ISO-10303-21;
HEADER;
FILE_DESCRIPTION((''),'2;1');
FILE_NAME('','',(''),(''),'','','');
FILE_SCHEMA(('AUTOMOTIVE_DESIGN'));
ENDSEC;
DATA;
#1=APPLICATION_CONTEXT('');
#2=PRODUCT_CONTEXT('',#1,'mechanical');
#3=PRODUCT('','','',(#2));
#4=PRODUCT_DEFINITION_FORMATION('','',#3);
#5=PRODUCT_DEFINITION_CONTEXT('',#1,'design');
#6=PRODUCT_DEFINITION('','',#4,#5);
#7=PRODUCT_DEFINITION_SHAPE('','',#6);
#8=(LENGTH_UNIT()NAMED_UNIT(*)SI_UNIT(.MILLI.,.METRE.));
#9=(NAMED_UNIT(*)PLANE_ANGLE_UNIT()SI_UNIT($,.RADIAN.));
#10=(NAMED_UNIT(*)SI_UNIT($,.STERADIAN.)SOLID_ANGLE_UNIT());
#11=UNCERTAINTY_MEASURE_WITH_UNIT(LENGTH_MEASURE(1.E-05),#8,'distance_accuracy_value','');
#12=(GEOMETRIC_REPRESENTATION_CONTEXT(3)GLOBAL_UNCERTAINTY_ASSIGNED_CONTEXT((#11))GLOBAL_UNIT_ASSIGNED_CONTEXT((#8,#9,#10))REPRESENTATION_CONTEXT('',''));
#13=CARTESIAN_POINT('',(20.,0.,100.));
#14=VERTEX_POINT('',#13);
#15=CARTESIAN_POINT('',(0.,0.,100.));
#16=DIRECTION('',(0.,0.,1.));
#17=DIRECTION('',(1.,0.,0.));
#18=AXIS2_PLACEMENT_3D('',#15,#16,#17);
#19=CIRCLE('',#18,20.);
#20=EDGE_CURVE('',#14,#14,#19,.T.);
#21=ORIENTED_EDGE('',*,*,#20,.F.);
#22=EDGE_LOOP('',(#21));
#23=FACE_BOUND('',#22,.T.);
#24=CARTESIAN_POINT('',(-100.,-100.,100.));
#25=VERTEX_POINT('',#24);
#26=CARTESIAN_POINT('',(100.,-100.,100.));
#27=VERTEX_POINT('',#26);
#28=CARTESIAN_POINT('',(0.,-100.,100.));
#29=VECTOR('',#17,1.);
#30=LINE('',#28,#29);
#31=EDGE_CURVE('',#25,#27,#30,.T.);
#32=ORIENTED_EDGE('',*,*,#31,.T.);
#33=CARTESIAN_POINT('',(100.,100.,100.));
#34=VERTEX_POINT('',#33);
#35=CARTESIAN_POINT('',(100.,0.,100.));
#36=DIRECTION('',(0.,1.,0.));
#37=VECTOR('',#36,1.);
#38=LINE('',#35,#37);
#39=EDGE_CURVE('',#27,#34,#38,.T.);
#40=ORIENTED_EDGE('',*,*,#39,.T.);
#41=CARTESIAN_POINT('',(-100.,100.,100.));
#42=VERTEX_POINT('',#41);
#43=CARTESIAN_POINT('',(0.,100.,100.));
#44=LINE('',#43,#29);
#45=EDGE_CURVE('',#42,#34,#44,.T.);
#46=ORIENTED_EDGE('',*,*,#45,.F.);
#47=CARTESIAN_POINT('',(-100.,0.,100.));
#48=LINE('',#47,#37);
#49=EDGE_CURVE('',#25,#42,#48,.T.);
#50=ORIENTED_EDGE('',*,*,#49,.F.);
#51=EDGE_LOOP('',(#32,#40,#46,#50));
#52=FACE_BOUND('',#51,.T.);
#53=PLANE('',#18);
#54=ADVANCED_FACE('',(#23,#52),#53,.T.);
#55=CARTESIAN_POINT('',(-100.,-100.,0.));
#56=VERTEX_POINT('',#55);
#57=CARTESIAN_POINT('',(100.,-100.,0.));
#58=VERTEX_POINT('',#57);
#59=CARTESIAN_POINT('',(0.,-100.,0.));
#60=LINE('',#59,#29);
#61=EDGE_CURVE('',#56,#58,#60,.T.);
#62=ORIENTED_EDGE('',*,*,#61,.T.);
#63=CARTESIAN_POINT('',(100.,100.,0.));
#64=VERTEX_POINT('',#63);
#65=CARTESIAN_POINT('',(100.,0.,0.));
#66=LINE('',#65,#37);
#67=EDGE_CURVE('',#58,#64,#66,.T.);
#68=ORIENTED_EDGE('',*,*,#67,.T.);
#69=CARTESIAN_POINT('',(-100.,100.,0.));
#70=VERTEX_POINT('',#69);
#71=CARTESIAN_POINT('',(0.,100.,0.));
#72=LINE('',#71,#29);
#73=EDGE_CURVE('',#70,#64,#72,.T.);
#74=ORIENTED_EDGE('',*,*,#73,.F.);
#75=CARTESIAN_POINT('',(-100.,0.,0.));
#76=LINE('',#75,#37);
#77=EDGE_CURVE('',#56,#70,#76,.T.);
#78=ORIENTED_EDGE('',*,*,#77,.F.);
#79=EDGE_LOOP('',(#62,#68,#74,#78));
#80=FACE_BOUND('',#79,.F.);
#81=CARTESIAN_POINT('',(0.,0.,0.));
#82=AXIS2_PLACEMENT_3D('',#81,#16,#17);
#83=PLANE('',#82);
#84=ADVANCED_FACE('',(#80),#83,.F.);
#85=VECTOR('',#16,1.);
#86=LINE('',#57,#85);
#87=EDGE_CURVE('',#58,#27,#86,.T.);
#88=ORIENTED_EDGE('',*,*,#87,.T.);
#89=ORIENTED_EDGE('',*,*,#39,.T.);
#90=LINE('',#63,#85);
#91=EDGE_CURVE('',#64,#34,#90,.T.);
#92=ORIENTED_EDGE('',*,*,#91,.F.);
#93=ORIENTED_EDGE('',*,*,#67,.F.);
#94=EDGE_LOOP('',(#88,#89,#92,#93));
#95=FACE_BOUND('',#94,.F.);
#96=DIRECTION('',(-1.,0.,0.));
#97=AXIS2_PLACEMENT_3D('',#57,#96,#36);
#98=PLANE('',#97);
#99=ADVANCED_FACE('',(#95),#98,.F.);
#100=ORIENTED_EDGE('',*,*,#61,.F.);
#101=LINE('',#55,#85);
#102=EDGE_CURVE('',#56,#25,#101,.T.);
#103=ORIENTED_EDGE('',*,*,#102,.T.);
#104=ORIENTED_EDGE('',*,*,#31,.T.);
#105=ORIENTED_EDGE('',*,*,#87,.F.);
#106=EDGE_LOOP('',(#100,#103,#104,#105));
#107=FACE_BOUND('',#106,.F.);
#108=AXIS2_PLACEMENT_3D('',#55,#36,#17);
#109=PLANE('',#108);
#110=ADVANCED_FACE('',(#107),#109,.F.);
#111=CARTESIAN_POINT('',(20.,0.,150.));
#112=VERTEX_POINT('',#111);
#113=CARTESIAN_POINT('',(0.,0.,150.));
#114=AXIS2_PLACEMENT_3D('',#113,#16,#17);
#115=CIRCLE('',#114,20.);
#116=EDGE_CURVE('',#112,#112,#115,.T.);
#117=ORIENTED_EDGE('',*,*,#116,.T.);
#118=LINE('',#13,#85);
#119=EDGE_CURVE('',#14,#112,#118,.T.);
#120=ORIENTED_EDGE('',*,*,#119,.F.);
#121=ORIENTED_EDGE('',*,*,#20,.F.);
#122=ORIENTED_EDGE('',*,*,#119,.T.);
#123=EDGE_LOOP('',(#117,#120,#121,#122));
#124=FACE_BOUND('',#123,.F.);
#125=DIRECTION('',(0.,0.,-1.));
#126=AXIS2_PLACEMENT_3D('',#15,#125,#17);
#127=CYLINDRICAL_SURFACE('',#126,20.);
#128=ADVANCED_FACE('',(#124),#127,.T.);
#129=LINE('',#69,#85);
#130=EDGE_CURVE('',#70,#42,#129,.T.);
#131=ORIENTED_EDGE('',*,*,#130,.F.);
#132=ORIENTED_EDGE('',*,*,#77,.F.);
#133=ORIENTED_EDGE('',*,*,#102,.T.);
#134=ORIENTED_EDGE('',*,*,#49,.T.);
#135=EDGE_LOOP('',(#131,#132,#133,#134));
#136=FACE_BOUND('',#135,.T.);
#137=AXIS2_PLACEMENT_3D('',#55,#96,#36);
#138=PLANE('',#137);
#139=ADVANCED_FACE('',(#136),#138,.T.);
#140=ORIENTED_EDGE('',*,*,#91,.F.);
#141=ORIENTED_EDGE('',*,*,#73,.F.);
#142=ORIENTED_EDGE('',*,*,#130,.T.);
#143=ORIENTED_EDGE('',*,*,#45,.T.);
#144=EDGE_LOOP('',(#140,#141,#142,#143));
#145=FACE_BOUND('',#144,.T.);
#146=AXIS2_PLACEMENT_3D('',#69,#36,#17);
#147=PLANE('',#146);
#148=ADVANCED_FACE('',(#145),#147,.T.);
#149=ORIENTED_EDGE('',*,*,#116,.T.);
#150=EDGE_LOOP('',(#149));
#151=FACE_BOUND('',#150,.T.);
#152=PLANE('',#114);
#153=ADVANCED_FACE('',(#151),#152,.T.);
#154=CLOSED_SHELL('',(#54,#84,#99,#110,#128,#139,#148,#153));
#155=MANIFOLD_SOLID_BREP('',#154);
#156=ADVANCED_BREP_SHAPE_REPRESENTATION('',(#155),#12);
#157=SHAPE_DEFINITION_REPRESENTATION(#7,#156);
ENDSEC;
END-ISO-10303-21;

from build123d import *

# Parameters (mm, degrees)
SKETCH_W     = 200
SKETCH_H     = 200
PAD_DEPTH    = 100
SKETCH001_R  = 20
PAD001_DEPTH = 50


with BuildPart() as part:
    # Sketch → Pad (new body)
    with BuildSketch(Plane.XY):
        Rectangle(SKETCH_W, SKETCH_H)
    extrude(amount=PAD_DEPTH)

    # Sketch001 → Pad001 (new body)
    with BuildSketch(Plane.XY.offset(100)):
        Circle(SKETCH001_R)
    extrude(amount=PAD001_DEPTH)


solid = part.part
